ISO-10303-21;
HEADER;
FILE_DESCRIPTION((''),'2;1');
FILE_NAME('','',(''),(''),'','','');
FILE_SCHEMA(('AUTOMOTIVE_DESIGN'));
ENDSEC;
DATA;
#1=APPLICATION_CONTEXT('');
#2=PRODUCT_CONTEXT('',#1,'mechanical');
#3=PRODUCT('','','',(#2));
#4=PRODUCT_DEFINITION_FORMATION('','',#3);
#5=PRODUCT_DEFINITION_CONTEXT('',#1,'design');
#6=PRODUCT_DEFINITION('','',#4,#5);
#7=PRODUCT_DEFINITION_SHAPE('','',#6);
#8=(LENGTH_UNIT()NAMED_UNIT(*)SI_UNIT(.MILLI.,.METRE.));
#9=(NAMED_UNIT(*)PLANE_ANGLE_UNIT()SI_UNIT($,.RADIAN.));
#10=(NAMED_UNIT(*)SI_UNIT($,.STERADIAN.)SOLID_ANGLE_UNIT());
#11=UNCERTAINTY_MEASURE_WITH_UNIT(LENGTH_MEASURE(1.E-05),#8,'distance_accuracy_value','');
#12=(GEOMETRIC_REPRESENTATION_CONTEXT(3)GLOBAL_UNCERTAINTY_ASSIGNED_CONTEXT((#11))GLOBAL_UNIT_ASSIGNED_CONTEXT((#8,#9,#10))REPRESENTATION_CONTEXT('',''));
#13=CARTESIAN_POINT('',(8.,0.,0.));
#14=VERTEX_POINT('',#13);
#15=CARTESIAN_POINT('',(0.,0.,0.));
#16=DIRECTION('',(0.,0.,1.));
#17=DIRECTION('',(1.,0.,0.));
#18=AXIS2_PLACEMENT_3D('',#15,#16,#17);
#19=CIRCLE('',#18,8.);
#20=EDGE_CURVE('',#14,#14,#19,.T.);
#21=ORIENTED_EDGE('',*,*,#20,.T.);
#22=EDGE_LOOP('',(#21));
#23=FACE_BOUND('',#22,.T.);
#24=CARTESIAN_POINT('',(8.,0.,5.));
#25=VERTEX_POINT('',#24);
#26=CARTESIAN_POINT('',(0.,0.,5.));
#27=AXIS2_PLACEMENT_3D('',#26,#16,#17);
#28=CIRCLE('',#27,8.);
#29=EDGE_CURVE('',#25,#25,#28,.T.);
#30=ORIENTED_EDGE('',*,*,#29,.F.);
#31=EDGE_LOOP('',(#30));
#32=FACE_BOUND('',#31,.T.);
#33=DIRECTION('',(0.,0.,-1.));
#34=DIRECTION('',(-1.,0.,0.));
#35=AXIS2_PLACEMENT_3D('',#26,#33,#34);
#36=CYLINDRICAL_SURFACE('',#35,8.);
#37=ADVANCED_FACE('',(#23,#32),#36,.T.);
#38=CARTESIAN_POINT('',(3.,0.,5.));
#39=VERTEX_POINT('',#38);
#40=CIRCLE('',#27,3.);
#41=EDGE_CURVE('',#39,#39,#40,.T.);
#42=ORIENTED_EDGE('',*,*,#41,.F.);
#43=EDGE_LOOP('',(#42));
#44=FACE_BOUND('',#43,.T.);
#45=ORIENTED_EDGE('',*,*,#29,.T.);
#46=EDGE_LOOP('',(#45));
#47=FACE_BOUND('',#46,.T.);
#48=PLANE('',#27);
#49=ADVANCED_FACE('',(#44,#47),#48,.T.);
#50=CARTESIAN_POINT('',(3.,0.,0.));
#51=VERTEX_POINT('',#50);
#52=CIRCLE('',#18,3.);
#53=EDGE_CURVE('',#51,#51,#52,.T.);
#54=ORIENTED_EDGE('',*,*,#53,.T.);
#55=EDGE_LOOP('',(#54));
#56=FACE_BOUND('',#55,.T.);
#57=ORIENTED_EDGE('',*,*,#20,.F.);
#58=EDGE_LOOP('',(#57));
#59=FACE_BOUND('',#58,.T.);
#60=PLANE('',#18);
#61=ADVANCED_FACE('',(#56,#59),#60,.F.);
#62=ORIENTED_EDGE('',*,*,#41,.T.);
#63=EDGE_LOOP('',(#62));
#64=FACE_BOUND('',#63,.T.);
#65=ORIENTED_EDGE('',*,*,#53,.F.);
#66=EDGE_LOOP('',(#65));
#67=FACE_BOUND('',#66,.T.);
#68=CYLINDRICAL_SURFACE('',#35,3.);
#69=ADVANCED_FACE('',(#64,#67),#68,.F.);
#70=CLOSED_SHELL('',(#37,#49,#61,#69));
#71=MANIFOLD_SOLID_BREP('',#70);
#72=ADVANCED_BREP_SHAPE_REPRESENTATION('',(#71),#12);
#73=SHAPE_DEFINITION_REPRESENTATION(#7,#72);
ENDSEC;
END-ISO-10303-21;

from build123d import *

# Parameters (mm, degrees)
ESQUISSE1_R        = 8
ESQUISSE1_R_2      = 3
BOSS_EXTRU_1_DEPTH = 5


with BuildPart() as part:
    # Esquisse1 → Boss.-Extru.1 (new body)
    with BuildSketch(Plane.XY):
        Circle(ESQUISSE1_R)
        Circle(ESQUISSE1_R_2, mode=Mode.SUBTRACT)
    extrude(amount=BOSS_EXTRU_1_DEPTH)


solid = part.part
